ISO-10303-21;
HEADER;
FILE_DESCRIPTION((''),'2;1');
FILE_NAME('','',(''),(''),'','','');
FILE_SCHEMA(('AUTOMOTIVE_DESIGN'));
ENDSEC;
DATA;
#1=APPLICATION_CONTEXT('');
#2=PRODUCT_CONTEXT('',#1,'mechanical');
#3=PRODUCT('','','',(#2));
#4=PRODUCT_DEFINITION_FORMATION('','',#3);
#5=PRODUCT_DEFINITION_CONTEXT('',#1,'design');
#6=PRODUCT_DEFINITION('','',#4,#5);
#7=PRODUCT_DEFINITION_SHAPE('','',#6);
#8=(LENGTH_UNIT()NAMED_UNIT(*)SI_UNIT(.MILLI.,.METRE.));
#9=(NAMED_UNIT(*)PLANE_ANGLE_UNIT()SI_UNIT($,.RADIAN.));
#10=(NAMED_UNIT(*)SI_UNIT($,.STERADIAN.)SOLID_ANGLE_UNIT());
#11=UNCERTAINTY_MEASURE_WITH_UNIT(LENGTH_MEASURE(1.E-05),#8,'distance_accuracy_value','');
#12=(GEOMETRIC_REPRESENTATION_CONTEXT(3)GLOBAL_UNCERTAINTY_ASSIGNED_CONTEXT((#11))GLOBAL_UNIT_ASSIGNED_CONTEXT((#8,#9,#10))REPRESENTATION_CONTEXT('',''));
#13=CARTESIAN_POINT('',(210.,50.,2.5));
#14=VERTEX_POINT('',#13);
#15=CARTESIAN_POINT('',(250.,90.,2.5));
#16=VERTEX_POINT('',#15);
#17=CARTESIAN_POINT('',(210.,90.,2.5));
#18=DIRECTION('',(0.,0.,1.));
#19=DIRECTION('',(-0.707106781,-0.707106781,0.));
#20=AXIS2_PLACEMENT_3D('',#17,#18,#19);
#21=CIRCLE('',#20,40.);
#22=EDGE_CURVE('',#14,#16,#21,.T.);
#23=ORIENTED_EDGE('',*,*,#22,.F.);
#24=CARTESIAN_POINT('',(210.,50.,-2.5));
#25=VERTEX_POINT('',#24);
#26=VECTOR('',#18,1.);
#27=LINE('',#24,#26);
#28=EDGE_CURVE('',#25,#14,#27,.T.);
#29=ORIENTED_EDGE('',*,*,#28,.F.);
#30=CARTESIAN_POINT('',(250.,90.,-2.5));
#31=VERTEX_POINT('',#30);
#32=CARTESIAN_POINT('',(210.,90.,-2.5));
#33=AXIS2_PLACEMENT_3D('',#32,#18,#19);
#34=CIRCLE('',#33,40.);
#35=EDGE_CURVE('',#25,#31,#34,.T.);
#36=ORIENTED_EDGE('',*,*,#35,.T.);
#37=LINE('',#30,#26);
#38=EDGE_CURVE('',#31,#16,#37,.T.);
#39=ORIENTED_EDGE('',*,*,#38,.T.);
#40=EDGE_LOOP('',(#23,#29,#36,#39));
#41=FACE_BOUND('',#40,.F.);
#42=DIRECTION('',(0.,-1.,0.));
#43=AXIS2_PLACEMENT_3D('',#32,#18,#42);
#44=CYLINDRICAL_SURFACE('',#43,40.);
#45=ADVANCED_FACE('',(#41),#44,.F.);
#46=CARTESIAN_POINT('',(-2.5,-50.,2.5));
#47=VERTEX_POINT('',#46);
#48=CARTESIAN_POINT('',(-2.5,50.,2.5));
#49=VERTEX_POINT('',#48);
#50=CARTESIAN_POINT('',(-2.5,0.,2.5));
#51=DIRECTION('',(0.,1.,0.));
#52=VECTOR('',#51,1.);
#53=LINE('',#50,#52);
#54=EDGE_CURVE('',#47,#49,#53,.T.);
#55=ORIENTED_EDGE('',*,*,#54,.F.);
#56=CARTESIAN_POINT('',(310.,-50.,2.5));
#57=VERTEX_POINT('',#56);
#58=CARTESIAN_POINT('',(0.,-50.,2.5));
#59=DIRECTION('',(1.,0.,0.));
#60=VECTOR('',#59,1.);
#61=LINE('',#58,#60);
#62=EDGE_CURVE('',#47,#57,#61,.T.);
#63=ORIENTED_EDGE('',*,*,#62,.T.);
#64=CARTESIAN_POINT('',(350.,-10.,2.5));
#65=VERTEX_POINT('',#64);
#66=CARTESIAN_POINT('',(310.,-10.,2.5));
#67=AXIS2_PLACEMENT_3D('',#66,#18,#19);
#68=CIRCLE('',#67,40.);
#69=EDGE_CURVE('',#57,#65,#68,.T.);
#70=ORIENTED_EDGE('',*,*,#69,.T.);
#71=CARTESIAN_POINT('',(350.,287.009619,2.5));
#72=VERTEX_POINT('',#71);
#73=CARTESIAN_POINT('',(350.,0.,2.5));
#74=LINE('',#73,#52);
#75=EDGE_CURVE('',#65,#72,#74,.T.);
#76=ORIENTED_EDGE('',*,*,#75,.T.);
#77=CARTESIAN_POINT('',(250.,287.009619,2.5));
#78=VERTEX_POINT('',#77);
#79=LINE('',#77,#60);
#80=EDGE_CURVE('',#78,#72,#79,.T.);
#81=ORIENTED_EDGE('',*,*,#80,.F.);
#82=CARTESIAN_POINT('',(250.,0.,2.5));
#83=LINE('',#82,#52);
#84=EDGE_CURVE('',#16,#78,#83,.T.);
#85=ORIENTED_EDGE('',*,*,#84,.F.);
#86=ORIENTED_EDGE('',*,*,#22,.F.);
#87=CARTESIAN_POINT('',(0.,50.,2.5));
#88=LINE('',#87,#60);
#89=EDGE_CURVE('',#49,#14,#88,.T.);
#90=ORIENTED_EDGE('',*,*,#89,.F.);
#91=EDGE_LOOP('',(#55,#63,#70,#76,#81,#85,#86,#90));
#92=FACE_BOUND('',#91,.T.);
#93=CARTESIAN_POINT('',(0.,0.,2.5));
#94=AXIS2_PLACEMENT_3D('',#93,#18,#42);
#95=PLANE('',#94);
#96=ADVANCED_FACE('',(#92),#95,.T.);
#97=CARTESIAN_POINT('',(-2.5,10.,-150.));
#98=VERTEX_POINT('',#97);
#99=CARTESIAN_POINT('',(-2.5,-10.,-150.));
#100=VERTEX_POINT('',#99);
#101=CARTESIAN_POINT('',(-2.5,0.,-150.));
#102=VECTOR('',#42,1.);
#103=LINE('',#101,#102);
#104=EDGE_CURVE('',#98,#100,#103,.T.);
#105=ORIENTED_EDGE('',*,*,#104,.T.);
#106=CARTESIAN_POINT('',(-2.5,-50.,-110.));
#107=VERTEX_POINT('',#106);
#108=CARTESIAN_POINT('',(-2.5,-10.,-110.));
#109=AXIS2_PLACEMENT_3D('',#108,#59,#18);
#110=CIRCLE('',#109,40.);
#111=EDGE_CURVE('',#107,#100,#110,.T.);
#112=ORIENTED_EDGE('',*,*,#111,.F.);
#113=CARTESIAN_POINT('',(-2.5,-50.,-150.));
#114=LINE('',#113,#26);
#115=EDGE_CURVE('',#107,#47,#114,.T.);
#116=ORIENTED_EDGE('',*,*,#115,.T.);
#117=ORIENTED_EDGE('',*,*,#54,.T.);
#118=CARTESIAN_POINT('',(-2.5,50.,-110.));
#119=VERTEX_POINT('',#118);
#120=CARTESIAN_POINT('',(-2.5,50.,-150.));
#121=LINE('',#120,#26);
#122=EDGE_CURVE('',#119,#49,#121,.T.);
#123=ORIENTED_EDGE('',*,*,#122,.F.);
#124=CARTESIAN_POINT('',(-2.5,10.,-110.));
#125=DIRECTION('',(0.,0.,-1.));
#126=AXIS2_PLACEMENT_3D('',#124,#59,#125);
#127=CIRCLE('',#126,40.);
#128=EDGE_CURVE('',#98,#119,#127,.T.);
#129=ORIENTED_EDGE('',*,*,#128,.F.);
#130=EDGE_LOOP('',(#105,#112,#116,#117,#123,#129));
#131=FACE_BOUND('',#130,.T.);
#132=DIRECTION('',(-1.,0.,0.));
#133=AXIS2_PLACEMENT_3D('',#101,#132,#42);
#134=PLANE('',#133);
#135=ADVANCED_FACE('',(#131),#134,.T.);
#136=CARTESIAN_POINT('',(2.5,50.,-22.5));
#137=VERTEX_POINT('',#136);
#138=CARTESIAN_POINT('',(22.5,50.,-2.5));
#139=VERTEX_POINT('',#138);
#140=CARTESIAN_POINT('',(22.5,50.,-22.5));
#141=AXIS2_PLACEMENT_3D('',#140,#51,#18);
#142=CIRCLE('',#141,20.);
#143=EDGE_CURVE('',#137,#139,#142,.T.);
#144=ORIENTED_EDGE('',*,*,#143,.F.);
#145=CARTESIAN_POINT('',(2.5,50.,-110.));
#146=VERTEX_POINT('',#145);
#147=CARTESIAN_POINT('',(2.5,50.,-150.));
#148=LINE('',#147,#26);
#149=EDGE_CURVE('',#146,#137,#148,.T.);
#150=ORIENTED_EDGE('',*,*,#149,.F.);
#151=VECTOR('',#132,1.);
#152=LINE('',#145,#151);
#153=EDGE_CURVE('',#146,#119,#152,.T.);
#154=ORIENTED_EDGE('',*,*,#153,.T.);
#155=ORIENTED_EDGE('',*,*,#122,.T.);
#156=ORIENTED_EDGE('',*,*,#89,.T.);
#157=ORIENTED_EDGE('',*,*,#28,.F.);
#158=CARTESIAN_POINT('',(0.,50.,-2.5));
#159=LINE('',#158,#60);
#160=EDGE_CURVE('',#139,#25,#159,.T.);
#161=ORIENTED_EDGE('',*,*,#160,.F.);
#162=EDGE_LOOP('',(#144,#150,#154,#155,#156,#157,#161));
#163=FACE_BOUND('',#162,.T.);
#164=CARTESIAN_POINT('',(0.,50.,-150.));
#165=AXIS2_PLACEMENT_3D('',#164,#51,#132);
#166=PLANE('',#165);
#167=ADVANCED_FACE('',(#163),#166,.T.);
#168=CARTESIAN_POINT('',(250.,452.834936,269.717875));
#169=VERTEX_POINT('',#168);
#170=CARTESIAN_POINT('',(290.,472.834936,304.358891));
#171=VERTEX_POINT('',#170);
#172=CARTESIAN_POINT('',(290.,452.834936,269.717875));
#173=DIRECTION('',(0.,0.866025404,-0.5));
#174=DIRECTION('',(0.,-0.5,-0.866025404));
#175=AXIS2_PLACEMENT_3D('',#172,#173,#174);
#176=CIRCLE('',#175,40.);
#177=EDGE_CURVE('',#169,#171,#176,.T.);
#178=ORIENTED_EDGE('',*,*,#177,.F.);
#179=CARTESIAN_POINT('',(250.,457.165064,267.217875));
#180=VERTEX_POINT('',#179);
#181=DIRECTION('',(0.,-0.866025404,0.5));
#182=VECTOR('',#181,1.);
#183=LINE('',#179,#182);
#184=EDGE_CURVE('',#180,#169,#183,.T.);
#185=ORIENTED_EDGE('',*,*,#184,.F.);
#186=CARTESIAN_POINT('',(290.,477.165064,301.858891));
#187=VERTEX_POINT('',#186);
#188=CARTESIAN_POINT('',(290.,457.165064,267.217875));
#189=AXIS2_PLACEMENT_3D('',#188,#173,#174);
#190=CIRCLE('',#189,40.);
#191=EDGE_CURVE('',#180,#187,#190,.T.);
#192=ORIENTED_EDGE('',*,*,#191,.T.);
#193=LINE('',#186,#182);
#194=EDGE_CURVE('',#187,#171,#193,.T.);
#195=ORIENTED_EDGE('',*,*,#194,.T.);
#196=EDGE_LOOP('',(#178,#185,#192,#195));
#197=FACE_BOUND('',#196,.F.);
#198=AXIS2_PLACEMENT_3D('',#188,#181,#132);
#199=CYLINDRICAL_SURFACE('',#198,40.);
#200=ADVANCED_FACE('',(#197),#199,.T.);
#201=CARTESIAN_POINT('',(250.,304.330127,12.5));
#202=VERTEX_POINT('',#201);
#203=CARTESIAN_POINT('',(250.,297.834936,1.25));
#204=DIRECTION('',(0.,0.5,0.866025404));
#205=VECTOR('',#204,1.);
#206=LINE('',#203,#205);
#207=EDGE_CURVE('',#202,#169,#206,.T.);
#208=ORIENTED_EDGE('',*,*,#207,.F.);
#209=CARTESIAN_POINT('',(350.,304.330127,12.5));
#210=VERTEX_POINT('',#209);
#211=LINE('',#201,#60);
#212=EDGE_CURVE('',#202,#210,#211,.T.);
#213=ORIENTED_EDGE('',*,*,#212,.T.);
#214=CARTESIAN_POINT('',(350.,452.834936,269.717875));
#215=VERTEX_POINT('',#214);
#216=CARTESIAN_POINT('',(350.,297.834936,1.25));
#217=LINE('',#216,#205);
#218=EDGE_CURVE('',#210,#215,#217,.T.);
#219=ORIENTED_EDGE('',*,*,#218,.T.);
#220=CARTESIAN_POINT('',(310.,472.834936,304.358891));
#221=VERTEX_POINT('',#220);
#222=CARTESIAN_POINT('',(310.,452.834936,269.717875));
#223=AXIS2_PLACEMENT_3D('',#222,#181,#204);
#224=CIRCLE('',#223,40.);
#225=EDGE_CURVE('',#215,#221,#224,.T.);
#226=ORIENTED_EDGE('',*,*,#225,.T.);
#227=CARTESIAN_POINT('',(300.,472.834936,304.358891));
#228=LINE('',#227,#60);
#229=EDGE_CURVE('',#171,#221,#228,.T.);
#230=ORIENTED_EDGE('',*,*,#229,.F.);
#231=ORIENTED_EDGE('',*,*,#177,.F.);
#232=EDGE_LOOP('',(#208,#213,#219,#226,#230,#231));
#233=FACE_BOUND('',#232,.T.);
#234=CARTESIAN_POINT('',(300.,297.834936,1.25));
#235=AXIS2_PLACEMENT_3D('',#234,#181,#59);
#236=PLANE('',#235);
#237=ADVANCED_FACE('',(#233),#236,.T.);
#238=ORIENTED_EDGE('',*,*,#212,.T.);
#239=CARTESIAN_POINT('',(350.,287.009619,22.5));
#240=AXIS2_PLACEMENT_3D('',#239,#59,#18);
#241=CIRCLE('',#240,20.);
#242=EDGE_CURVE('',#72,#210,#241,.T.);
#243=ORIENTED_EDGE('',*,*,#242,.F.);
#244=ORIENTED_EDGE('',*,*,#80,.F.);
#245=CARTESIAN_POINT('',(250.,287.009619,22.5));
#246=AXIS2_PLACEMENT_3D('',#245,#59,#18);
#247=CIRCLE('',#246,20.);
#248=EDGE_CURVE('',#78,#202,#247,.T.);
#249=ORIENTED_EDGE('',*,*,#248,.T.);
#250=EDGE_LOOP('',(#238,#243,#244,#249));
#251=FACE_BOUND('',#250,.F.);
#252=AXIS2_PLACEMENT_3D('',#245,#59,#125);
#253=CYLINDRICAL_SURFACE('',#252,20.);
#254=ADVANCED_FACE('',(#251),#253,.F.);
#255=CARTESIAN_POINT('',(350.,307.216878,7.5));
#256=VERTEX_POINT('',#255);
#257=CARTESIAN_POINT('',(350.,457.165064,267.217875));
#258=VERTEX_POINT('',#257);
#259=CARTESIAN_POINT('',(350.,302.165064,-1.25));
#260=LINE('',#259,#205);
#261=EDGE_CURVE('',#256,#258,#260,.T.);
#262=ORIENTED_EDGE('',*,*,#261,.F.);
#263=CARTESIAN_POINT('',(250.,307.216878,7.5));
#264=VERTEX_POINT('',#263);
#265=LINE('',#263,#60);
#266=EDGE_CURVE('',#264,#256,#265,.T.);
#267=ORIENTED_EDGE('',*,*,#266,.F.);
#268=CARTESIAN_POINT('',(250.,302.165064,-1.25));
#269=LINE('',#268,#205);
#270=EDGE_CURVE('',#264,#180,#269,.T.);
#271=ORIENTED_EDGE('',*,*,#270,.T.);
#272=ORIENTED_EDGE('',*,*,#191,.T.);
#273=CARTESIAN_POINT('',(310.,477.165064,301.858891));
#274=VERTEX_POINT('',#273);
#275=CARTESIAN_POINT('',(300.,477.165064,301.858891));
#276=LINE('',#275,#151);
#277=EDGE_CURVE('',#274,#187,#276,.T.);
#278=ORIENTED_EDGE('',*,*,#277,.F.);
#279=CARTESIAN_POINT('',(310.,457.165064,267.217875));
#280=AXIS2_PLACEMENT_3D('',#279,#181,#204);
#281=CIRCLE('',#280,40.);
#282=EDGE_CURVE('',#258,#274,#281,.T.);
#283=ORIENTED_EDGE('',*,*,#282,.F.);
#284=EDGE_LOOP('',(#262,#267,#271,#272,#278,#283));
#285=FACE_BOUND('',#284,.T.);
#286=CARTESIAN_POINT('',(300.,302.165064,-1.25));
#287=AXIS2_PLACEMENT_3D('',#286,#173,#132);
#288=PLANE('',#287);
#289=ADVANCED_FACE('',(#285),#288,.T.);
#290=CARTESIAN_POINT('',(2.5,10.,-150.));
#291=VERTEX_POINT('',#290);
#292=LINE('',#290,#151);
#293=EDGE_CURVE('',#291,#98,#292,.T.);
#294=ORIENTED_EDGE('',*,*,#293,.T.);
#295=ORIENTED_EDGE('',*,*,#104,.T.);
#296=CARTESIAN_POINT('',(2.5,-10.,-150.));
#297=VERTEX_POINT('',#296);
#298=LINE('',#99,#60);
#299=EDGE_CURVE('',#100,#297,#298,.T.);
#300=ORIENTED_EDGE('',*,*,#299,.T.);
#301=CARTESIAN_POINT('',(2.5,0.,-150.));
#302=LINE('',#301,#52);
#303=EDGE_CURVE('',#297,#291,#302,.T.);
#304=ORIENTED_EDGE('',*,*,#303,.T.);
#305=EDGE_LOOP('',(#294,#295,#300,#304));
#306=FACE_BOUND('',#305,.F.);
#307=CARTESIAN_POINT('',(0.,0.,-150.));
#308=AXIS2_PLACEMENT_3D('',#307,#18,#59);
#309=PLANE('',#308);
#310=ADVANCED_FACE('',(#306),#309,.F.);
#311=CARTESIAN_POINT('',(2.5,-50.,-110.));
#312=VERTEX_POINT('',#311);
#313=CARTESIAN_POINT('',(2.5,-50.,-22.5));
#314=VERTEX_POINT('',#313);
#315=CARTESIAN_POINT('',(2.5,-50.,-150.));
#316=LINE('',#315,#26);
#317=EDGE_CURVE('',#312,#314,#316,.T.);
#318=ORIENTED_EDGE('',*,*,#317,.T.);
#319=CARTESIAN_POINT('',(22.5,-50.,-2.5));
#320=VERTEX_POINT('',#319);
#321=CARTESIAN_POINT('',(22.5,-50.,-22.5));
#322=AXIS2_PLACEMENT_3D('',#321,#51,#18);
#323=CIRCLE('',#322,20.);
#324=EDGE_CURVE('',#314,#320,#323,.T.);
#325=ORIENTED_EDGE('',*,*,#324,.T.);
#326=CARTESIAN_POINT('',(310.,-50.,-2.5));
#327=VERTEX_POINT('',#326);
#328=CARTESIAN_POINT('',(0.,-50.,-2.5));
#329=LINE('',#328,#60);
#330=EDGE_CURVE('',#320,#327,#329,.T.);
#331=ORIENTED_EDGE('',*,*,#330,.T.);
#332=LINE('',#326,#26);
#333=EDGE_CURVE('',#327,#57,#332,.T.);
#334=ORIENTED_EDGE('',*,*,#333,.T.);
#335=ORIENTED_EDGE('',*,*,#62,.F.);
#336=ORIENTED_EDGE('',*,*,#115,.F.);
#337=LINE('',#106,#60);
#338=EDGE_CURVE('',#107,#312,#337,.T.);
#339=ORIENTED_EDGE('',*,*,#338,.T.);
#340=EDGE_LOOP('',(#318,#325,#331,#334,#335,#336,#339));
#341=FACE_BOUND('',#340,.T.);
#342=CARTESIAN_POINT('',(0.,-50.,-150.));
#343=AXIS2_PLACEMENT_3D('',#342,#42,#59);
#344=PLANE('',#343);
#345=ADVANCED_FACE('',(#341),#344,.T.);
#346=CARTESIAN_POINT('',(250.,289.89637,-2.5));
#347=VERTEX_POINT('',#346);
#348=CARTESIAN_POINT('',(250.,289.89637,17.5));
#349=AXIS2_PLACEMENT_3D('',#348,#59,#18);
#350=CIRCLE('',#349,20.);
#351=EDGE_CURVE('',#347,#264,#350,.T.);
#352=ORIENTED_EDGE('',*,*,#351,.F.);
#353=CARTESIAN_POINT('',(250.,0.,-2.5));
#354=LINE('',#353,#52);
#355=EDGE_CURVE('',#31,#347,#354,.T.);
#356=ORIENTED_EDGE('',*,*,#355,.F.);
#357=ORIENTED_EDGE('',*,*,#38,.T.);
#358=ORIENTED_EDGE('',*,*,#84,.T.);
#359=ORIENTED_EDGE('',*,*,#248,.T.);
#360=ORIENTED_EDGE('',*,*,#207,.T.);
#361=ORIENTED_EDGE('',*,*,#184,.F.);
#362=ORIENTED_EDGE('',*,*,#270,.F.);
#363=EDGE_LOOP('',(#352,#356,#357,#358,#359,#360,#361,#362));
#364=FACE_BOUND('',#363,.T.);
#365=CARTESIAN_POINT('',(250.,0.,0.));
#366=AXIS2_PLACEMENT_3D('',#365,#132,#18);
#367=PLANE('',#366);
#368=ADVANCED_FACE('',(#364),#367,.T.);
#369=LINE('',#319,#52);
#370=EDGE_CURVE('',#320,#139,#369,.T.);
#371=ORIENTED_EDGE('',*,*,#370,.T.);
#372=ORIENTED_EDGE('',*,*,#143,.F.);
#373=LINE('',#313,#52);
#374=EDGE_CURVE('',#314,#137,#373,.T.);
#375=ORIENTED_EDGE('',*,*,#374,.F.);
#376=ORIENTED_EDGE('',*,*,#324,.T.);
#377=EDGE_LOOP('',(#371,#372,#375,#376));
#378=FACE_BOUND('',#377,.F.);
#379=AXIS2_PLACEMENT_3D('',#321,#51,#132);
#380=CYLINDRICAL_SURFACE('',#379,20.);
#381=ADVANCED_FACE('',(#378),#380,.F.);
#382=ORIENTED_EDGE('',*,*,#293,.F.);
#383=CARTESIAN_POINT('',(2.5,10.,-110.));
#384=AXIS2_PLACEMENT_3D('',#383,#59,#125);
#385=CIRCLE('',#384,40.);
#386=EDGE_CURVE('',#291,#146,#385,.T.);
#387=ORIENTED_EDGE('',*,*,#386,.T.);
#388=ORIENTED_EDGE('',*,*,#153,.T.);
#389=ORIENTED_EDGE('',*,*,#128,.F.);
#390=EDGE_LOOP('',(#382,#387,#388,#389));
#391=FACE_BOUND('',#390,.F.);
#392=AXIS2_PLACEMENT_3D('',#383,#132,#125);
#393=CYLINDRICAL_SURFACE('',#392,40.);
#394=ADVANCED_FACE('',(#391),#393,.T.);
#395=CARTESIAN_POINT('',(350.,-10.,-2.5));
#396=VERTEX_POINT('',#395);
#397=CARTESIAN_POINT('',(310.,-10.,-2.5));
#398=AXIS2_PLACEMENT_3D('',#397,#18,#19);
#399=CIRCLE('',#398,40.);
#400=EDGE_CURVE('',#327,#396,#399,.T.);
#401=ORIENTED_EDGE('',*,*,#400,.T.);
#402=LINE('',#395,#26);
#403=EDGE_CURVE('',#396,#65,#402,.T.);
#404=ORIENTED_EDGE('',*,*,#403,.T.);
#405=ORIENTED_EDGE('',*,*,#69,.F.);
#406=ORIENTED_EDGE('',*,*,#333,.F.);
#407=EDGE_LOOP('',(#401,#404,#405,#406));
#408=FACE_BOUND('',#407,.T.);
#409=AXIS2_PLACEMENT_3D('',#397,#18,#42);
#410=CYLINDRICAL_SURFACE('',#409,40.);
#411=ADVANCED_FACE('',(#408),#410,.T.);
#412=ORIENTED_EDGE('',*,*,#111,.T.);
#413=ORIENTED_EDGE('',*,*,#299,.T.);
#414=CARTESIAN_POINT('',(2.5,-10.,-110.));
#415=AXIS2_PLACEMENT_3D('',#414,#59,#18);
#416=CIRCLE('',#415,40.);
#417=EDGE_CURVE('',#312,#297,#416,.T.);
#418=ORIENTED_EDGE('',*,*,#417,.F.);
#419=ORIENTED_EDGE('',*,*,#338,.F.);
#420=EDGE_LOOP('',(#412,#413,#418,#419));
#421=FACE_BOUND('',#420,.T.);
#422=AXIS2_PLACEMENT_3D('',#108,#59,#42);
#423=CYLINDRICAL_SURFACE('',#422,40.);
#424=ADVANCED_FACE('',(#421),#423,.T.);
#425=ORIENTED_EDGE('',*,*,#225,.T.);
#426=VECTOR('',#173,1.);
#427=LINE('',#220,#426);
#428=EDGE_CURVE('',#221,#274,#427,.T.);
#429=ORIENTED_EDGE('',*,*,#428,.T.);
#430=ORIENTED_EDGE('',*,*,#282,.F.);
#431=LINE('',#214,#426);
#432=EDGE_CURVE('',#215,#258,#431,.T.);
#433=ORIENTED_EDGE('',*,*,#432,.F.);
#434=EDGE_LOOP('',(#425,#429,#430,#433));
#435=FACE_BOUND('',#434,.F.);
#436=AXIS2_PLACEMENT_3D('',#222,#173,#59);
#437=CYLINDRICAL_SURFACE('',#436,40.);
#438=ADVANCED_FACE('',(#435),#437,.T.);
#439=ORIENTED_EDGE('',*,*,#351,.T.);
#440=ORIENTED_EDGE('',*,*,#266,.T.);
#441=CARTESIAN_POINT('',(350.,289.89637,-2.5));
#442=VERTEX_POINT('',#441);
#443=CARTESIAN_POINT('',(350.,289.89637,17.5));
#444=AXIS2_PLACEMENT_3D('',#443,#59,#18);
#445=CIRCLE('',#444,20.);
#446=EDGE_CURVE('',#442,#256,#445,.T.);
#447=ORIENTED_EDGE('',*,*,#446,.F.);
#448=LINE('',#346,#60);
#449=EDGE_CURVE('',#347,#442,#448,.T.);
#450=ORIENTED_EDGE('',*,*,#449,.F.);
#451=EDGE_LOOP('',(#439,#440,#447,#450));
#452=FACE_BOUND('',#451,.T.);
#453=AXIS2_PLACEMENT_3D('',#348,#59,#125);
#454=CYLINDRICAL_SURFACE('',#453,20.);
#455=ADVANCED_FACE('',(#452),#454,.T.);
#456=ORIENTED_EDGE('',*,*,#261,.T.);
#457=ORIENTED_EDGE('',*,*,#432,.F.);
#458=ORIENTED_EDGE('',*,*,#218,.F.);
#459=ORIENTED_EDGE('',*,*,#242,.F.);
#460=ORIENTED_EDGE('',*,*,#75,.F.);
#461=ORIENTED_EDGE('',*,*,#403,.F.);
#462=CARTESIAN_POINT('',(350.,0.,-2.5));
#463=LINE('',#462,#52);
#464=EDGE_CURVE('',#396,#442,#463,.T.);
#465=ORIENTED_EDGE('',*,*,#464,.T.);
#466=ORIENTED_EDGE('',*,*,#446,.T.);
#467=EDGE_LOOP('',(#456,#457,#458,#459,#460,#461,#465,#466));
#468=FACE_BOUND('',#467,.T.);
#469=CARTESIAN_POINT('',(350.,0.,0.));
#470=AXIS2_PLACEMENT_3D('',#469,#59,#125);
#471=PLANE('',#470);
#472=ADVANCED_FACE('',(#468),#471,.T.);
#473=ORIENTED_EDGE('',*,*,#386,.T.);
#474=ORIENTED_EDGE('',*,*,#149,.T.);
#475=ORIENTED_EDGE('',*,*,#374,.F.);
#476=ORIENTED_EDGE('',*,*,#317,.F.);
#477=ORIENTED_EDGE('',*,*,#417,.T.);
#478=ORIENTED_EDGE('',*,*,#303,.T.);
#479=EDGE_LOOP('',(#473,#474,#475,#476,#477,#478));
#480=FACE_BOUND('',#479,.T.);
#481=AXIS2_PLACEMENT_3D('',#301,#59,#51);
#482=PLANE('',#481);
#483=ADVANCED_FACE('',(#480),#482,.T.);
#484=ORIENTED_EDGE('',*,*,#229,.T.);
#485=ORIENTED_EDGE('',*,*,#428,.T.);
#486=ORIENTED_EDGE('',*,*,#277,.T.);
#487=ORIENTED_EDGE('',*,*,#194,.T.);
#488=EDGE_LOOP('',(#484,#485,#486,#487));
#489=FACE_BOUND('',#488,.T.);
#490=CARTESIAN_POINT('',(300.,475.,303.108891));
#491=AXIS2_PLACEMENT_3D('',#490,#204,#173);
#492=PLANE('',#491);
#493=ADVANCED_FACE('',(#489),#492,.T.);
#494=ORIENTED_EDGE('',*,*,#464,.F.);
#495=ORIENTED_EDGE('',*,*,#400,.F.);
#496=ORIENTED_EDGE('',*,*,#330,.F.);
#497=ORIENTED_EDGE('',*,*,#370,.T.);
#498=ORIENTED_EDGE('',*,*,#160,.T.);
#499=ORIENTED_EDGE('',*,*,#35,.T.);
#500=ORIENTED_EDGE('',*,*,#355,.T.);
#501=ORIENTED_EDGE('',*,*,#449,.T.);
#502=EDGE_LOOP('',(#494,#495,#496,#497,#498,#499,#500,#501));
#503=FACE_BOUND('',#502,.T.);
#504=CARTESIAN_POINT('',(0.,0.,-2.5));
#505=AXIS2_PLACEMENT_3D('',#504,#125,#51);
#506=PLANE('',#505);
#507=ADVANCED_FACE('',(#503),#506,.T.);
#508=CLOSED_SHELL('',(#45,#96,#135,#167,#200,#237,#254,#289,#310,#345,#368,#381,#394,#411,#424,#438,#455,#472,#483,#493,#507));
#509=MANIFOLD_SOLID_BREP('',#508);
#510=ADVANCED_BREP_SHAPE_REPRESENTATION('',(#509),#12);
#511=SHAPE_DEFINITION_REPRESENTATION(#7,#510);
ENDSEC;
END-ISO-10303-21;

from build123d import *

# Parameters (mm, degrees)
F4_W = 5
F4_H = 100
F6_R = 20
F7_R = 40


with BuildPart() as f5:
    # F5: sweep along a path in F0, F2
    with BuildLine(Plane.XZ) as f5_path:
        Line((0, -150), (0, 0))
        Line((0, 0), (300, 0))
    with BuildLine(Plane.YZ.offset(300)) as f5_path_2:
        Line((0, 0), (300, 0))
        Line((300, 0), (475, 303.1088913246))
    # F4 (on plane+point) → F5 (sweep)
    with BuildSketch(Plane.XY.offset(-150)):
        Rectangle(F4_W, F4_H)
    sweep(path=f5_path.line + f5_path_2.line, transition=Transition.RIGHT)

    # F6
    f6_edges = [f5.edges().sort_by_distance(p)[0] for p in [
        (2.5, 0, -2.5),
        (300, 298.556624, 2.5),
        (300, 301.443376, -2.5),
    ]]
    fillet(f6_edges, radius=F6_R)

    # F7
    f7_edges = [f5.edges().sort_by_distance(p)[0] for p in [
        (350, -50, 0),
        (250, 50, 0),
        (350, 475, 303.108891),
        (250, 475, 303.108891),
        (0, -50, -150),
        (0, 50, -150),
    ]]
    fillet(f7_edges, radius=F7_R)


solid = f5.part
